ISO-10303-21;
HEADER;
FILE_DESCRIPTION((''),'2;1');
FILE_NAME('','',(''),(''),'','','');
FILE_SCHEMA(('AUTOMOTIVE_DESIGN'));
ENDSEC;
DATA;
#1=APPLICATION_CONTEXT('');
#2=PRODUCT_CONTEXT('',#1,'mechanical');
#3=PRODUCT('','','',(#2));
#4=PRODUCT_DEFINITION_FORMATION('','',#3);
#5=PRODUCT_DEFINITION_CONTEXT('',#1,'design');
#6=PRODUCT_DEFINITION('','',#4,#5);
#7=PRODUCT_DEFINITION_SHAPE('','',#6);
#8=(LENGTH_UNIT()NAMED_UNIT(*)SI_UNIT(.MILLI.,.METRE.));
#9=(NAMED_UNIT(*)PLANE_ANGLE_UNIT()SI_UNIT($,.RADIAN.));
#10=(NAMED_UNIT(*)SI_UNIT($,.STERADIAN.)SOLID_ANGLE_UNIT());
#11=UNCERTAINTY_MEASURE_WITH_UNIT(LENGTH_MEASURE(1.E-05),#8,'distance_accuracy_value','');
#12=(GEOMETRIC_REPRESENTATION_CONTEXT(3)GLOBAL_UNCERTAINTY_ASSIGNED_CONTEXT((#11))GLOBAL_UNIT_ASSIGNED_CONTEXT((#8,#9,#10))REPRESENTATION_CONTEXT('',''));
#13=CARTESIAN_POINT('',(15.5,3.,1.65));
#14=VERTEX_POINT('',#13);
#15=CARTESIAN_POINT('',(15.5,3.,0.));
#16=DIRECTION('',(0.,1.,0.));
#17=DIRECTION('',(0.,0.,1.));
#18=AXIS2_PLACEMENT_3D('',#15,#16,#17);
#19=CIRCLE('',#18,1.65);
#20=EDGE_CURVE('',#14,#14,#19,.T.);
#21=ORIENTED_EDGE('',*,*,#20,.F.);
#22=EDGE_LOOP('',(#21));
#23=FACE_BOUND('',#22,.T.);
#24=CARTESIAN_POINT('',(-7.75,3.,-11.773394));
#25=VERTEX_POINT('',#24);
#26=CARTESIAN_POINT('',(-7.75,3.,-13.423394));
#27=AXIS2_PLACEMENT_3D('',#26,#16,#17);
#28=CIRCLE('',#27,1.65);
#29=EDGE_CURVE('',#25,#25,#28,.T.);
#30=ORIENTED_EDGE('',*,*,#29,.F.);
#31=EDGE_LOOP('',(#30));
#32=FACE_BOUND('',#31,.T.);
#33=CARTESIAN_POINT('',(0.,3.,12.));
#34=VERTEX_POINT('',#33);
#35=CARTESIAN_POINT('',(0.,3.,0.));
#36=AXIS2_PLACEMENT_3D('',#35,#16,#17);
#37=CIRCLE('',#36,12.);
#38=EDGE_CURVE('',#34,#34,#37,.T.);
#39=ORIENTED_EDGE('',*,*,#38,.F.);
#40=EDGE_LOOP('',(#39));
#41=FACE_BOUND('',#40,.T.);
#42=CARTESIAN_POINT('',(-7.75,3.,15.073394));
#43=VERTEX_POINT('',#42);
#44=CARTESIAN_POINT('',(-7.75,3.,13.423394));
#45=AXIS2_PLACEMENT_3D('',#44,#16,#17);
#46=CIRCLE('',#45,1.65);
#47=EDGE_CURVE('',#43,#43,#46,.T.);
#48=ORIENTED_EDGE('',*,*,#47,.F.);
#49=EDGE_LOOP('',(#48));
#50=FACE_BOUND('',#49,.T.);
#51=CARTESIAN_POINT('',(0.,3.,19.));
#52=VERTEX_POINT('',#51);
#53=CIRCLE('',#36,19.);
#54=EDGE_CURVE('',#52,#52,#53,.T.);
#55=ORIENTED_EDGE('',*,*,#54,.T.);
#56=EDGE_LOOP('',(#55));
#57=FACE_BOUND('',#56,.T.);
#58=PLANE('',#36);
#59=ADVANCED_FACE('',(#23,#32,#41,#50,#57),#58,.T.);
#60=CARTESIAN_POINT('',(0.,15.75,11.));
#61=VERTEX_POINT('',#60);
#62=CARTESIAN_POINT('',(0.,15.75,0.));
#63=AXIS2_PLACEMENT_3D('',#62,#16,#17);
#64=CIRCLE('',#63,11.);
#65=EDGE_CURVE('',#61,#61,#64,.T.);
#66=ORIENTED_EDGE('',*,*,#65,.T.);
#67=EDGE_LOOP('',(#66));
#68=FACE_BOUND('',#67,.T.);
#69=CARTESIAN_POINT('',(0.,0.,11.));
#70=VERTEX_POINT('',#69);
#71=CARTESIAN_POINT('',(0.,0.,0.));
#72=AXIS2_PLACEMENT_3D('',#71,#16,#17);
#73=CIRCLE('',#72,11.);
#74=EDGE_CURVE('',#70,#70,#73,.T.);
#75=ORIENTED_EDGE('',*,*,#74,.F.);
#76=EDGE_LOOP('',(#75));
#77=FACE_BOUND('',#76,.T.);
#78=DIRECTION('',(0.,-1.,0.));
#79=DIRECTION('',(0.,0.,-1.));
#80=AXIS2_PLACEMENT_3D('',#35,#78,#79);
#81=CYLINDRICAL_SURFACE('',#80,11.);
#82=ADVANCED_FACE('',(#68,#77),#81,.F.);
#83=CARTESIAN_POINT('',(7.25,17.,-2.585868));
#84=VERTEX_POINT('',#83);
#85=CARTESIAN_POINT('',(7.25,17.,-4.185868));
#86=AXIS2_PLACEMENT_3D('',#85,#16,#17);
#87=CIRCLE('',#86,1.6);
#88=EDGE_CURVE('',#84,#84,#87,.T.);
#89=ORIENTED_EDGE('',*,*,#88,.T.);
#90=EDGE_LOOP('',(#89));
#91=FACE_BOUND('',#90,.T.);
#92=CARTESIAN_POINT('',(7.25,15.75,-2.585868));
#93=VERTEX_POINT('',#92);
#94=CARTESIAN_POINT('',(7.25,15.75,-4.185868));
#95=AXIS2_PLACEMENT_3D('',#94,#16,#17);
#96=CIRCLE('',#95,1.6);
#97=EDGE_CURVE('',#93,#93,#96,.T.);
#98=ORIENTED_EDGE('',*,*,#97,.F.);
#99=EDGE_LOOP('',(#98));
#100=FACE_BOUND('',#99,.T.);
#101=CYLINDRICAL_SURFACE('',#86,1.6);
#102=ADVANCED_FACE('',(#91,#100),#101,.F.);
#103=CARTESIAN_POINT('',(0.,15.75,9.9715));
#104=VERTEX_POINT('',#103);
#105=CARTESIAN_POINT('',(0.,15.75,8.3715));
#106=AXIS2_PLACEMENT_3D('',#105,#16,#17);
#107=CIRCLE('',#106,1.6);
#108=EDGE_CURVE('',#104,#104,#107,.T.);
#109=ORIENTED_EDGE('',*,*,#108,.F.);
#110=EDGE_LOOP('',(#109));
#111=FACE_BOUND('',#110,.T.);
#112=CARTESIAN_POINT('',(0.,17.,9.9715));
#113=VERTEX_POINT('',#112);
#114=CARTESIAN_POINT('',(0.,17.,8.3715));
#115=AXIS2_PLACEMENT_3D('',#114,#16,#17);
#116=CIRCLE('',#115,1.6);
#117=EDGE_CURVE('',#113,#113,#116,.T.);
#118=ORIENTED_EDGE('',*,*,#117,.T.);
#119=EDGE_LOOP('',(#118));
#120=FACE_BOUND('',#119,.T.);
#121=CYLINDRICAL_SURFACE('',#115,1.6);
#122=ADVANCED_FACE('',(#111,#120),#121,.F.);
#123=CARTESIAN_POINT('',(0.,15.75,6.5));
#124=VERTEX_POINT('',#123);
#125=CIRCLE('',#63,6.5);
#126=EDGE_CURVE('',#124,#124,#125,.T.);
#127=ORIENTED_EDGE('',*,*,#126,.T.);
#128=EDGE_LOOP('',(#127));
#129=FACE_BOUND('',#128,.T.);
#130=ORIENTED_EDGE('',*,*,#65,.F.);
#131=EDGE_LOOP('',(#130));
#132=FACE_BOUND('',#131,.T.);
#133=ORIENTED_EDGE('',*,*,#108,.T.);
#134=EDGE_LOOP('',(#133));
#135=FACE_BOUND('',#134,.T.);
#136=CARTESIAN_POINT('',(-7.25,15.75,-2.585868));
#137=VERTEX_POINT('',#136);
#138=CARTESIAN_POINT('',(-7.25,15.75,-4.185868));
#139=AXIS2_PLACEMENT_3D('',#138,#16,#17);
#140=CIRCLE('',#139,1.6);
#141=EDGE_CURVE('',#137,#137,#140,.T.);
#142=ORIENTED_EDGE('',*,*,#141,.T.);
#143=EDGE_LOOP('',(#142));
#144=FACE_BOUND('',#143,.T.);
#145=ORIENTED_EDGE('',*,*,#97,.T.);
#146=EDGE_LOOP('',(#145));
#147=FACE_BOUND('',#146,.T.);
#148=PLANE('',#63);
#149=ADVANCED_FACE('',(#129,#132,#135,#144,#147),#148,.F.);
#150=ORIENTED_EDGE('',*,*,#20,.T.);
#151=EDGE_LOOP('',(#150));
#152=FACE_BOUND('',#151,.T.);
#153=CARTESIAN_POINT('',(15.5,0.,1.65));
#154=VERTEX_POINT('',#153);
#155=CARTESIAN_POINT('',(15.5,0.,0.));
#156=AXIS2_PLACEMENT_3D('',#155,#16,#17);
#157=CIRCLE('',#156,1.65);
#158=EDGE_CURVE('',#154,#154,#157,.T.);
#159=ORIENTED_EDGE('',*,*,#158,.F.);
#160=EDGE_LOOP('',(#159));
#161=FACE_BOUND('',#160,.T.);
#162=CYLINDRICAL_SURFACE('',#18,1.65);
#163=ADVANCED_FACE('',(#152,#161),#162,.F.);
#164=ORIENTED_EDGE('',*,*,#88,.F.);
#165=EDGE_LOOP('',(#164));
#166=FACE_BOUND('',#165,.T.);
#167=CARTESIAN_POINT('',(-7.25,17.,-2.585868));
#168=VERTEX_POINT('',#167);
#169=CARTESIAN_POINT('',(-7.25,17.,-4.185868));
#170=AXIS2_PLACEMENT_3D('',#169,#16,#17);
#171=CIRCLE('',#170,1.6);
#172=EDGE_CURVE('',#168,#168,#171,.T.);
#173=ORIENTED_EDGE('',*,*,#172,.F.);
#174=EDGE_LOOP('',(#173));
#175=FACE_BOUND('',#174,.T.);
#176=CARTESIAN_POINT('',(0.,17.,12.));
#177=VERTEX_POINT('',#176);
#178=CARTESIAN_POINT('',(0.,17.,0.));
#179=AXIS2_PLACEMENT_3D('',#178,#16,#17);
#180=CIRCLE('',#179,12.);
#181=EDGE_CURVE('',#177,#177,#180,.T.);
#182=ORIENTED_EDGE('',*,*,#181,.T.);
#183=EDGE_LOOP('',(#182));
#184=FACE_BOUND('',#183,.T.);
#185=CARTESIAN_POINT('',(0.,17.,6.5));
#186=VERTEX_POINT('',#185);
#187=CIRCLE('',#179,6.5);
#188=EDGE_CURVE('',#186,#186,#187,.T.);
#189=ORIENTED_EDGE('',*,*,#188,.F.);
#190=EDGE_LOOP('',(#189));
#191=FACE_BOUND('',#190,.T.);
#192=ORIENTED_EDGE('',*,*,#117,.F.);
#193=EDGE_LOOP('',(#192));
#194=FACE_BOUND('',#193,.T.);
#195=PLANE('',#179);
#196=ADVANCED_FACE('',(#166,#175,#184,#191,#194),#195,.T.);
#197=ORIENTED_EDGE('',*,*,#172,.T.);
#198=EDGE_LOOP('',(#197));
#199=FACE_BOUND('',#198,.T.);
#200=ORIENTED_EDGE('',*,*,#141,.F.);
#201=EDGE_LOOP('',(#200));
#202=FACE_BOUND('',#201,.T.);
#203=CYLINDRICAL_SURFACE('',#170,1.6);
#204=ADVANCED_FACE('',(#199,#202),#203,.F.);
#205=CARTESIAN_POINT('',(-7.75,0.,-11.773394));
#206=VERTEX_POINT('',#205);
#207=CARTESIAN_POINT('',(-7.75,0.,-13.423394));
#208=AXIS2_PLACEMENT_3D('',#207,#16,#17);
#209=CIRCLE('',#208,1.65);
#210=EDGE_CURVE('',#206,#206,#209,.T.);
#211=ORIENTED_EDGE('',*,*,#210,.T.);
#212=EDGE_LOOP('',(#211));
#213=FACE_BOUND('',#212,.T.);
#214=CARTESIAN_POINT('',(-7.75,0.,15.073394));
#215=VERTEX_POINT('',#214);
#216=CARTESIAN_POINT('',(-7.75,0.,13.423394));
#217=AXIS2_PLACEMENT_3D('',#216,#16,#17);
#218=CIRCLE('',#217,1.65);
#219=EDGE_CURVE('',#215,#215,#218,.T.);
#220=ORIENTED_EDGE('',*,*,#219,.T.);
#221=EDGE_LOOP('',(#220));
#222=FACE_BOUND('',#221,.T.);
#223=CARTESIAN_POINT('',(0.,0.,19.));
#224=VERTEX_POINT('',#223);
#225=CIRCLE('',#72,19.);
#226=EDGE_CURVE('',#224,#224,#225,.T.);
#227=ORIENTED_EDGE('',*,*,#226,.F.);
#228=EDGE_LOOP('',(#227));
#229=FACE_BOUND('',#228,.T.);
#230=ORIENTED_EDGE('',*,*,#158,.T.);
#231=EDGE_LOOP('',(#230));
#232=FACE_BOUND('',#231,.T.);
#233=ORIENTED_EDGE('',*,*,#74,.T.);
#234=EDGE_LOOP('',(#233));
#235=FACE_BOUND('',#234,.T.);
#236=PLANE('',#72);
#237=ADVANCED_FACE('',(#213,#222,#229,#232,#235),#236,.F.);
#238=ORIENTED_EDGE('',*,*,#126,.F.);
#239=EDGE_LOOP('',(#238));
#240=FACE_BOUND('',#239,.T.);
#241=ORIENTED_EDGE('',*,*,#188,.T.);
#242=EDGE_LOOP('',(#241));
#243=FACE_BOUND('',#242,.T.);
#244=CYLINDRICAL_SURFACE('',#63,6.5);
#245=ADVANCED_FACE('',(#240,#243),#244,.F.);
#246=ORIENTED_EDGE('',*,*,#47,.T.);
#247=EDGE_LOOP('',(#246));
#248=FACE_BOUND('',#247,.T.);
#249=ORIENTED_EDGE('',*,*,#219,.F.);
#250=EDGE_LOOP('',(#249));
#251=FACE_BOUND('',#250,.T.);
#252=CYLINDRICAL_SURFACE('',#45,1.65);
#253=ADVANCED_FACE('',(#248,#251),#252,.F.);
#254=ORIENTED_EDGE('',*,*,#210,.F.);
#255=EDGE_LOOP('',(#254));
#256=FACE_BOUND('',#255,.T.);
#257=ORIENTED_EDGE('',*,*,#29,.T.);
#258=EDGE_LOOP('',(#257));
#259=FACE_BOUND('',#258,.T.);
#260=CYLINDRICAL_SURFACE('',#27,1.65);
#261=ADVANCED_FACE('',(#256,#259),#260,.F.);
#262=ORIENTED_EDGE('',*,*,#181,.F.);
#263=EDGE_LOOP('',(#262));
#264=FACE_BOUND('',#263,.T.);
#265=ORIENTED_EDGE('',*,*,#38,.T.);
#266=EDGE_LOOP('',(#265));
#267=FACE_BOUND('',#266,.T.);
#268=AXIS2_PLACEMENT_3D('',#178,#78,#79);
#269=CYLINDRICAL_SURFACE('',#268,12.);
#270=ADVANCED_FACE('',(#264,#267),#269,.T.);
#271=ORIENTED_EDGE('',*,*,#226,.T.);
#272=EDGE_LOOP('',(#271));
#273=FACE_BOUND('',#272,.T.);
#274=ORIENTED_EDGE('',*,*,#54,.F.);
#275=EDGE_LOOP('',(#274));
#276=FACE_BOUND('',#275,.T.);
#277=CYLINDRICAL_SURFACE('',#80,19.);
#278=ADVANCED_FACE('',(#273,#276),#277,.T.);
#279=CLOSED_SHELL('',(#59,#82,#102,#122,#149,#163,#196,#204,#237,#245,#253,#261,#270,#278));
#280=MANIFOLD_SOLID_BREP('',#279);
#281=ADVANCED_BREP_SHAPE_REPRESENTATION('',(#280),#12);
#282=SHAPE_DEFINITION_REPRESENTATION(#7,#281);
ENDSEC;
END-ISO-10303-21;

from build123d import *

# Parameters (mm, degrees)
SKETCH1_R                 = 19
SKETCH1_R_2               = 11
BOSS_EXTRUDE1_DEPTH       = 3
SKETCH2_R                 = 12
SKETCH2_R_2               = 11
BOSS_EXTRUDE2_DEPTH       = 14
SKETCH3_R                 = 12
SKETCH3_R_2               = 6.5
BOSS_EXTRUDE3_DEPTH       = 1.25
M3_CLEARANCE_HOLE1_D      = 3.2
M3_CLEARANCE_HOLE1_DEPTH  = 7.5
M3_CLEARANCE_HOLE1_TIP    = 0.96137699
M4X0_7_TAPPED_HOLE1_D     = 3.3
M4X0_7_TAPPED_HOLE1_DEPTH = 3


with BuildPart() as part:
    # Sketch1 → Boss-Extrude1 (new body)
    with BuildSketch(Plane(origin=(0, 0, 0), x_dir=(1, 0, 0), z_dir=(0, 1, 0))):
        Circle(SKETCH1_R)
        Circle(SKETCH1_R_2, mode=Mode.SUBTRACT)
    extrude(amount=BOSS_EXTRUDE1_DEPTH)

    # Sketch2 → Boss-Extrude2 (add)
    with BuildSketch(Plane(origin=(0, 3, 0), x_dir=(1, 0, 0), z_dir=(0, 1, 0))):
        Circle(SKETCH2_R)
        Circle(SKETCH2_R_2, mode=Mode.SUBTRACT)
    extrude(amount=BOSS_EXTRUDE2_DEPTH)

    # Sketch3 → Boss-Extrude3 (add)
    with BuildSketch(Plane(origin=(0, 17, 0), x_dir=(1, 0, 0), z_dir=(0, 1, 0))):
        Circle(SKETCH3_R)
        Circle(SKETCH3_R_2, mode=Mode.SUBTRACT)
    extrude(amount=-BOSS_EXTRUDE3_DEPTH)

    # M3 Clearance Hole1
    with Locations(Plane(origin=(0, 17, 0), x_dir=(1, 0, 0), z_dir=(0, 1, 0))):
        with Locations((-7.25, 4.185868355), (7.25, 4.185868355), (0, -8.3715)):
            Hole(M3_CLEARANCE_HOLE1_D / 2, depth=M3_CLEARANCE_HOLE1_DEPTH)
            with Locations((0, 0, -(M3_CLEARANCE_HOLE1_DEPTH + M3_CLEARANCE_HOLE1_TIP / 2))):  # 118° drill point
                Cone(0, M3_CLEARANCE_HOLE1_D / 2, M3_CLEARANCE_HOLE1_TIP, mode=Mode.SUBTRACT)

    # M4x0.7 Tapped Hole1
    with Locations(Plane(origin=(0, 3, 0), x_dir=(1, 0, 0), z_dir=(0, 1, 0))):
        with Locations((-7.75, 13.423393759), (-7.75, -13.423393759), (15.5, 0)):
            Hole(M4X0_7_TAPPED_HOLE1_D / 2, depth=M4X0_7_TAPPED_HOLE1_DEPTH)


solid = part.part
